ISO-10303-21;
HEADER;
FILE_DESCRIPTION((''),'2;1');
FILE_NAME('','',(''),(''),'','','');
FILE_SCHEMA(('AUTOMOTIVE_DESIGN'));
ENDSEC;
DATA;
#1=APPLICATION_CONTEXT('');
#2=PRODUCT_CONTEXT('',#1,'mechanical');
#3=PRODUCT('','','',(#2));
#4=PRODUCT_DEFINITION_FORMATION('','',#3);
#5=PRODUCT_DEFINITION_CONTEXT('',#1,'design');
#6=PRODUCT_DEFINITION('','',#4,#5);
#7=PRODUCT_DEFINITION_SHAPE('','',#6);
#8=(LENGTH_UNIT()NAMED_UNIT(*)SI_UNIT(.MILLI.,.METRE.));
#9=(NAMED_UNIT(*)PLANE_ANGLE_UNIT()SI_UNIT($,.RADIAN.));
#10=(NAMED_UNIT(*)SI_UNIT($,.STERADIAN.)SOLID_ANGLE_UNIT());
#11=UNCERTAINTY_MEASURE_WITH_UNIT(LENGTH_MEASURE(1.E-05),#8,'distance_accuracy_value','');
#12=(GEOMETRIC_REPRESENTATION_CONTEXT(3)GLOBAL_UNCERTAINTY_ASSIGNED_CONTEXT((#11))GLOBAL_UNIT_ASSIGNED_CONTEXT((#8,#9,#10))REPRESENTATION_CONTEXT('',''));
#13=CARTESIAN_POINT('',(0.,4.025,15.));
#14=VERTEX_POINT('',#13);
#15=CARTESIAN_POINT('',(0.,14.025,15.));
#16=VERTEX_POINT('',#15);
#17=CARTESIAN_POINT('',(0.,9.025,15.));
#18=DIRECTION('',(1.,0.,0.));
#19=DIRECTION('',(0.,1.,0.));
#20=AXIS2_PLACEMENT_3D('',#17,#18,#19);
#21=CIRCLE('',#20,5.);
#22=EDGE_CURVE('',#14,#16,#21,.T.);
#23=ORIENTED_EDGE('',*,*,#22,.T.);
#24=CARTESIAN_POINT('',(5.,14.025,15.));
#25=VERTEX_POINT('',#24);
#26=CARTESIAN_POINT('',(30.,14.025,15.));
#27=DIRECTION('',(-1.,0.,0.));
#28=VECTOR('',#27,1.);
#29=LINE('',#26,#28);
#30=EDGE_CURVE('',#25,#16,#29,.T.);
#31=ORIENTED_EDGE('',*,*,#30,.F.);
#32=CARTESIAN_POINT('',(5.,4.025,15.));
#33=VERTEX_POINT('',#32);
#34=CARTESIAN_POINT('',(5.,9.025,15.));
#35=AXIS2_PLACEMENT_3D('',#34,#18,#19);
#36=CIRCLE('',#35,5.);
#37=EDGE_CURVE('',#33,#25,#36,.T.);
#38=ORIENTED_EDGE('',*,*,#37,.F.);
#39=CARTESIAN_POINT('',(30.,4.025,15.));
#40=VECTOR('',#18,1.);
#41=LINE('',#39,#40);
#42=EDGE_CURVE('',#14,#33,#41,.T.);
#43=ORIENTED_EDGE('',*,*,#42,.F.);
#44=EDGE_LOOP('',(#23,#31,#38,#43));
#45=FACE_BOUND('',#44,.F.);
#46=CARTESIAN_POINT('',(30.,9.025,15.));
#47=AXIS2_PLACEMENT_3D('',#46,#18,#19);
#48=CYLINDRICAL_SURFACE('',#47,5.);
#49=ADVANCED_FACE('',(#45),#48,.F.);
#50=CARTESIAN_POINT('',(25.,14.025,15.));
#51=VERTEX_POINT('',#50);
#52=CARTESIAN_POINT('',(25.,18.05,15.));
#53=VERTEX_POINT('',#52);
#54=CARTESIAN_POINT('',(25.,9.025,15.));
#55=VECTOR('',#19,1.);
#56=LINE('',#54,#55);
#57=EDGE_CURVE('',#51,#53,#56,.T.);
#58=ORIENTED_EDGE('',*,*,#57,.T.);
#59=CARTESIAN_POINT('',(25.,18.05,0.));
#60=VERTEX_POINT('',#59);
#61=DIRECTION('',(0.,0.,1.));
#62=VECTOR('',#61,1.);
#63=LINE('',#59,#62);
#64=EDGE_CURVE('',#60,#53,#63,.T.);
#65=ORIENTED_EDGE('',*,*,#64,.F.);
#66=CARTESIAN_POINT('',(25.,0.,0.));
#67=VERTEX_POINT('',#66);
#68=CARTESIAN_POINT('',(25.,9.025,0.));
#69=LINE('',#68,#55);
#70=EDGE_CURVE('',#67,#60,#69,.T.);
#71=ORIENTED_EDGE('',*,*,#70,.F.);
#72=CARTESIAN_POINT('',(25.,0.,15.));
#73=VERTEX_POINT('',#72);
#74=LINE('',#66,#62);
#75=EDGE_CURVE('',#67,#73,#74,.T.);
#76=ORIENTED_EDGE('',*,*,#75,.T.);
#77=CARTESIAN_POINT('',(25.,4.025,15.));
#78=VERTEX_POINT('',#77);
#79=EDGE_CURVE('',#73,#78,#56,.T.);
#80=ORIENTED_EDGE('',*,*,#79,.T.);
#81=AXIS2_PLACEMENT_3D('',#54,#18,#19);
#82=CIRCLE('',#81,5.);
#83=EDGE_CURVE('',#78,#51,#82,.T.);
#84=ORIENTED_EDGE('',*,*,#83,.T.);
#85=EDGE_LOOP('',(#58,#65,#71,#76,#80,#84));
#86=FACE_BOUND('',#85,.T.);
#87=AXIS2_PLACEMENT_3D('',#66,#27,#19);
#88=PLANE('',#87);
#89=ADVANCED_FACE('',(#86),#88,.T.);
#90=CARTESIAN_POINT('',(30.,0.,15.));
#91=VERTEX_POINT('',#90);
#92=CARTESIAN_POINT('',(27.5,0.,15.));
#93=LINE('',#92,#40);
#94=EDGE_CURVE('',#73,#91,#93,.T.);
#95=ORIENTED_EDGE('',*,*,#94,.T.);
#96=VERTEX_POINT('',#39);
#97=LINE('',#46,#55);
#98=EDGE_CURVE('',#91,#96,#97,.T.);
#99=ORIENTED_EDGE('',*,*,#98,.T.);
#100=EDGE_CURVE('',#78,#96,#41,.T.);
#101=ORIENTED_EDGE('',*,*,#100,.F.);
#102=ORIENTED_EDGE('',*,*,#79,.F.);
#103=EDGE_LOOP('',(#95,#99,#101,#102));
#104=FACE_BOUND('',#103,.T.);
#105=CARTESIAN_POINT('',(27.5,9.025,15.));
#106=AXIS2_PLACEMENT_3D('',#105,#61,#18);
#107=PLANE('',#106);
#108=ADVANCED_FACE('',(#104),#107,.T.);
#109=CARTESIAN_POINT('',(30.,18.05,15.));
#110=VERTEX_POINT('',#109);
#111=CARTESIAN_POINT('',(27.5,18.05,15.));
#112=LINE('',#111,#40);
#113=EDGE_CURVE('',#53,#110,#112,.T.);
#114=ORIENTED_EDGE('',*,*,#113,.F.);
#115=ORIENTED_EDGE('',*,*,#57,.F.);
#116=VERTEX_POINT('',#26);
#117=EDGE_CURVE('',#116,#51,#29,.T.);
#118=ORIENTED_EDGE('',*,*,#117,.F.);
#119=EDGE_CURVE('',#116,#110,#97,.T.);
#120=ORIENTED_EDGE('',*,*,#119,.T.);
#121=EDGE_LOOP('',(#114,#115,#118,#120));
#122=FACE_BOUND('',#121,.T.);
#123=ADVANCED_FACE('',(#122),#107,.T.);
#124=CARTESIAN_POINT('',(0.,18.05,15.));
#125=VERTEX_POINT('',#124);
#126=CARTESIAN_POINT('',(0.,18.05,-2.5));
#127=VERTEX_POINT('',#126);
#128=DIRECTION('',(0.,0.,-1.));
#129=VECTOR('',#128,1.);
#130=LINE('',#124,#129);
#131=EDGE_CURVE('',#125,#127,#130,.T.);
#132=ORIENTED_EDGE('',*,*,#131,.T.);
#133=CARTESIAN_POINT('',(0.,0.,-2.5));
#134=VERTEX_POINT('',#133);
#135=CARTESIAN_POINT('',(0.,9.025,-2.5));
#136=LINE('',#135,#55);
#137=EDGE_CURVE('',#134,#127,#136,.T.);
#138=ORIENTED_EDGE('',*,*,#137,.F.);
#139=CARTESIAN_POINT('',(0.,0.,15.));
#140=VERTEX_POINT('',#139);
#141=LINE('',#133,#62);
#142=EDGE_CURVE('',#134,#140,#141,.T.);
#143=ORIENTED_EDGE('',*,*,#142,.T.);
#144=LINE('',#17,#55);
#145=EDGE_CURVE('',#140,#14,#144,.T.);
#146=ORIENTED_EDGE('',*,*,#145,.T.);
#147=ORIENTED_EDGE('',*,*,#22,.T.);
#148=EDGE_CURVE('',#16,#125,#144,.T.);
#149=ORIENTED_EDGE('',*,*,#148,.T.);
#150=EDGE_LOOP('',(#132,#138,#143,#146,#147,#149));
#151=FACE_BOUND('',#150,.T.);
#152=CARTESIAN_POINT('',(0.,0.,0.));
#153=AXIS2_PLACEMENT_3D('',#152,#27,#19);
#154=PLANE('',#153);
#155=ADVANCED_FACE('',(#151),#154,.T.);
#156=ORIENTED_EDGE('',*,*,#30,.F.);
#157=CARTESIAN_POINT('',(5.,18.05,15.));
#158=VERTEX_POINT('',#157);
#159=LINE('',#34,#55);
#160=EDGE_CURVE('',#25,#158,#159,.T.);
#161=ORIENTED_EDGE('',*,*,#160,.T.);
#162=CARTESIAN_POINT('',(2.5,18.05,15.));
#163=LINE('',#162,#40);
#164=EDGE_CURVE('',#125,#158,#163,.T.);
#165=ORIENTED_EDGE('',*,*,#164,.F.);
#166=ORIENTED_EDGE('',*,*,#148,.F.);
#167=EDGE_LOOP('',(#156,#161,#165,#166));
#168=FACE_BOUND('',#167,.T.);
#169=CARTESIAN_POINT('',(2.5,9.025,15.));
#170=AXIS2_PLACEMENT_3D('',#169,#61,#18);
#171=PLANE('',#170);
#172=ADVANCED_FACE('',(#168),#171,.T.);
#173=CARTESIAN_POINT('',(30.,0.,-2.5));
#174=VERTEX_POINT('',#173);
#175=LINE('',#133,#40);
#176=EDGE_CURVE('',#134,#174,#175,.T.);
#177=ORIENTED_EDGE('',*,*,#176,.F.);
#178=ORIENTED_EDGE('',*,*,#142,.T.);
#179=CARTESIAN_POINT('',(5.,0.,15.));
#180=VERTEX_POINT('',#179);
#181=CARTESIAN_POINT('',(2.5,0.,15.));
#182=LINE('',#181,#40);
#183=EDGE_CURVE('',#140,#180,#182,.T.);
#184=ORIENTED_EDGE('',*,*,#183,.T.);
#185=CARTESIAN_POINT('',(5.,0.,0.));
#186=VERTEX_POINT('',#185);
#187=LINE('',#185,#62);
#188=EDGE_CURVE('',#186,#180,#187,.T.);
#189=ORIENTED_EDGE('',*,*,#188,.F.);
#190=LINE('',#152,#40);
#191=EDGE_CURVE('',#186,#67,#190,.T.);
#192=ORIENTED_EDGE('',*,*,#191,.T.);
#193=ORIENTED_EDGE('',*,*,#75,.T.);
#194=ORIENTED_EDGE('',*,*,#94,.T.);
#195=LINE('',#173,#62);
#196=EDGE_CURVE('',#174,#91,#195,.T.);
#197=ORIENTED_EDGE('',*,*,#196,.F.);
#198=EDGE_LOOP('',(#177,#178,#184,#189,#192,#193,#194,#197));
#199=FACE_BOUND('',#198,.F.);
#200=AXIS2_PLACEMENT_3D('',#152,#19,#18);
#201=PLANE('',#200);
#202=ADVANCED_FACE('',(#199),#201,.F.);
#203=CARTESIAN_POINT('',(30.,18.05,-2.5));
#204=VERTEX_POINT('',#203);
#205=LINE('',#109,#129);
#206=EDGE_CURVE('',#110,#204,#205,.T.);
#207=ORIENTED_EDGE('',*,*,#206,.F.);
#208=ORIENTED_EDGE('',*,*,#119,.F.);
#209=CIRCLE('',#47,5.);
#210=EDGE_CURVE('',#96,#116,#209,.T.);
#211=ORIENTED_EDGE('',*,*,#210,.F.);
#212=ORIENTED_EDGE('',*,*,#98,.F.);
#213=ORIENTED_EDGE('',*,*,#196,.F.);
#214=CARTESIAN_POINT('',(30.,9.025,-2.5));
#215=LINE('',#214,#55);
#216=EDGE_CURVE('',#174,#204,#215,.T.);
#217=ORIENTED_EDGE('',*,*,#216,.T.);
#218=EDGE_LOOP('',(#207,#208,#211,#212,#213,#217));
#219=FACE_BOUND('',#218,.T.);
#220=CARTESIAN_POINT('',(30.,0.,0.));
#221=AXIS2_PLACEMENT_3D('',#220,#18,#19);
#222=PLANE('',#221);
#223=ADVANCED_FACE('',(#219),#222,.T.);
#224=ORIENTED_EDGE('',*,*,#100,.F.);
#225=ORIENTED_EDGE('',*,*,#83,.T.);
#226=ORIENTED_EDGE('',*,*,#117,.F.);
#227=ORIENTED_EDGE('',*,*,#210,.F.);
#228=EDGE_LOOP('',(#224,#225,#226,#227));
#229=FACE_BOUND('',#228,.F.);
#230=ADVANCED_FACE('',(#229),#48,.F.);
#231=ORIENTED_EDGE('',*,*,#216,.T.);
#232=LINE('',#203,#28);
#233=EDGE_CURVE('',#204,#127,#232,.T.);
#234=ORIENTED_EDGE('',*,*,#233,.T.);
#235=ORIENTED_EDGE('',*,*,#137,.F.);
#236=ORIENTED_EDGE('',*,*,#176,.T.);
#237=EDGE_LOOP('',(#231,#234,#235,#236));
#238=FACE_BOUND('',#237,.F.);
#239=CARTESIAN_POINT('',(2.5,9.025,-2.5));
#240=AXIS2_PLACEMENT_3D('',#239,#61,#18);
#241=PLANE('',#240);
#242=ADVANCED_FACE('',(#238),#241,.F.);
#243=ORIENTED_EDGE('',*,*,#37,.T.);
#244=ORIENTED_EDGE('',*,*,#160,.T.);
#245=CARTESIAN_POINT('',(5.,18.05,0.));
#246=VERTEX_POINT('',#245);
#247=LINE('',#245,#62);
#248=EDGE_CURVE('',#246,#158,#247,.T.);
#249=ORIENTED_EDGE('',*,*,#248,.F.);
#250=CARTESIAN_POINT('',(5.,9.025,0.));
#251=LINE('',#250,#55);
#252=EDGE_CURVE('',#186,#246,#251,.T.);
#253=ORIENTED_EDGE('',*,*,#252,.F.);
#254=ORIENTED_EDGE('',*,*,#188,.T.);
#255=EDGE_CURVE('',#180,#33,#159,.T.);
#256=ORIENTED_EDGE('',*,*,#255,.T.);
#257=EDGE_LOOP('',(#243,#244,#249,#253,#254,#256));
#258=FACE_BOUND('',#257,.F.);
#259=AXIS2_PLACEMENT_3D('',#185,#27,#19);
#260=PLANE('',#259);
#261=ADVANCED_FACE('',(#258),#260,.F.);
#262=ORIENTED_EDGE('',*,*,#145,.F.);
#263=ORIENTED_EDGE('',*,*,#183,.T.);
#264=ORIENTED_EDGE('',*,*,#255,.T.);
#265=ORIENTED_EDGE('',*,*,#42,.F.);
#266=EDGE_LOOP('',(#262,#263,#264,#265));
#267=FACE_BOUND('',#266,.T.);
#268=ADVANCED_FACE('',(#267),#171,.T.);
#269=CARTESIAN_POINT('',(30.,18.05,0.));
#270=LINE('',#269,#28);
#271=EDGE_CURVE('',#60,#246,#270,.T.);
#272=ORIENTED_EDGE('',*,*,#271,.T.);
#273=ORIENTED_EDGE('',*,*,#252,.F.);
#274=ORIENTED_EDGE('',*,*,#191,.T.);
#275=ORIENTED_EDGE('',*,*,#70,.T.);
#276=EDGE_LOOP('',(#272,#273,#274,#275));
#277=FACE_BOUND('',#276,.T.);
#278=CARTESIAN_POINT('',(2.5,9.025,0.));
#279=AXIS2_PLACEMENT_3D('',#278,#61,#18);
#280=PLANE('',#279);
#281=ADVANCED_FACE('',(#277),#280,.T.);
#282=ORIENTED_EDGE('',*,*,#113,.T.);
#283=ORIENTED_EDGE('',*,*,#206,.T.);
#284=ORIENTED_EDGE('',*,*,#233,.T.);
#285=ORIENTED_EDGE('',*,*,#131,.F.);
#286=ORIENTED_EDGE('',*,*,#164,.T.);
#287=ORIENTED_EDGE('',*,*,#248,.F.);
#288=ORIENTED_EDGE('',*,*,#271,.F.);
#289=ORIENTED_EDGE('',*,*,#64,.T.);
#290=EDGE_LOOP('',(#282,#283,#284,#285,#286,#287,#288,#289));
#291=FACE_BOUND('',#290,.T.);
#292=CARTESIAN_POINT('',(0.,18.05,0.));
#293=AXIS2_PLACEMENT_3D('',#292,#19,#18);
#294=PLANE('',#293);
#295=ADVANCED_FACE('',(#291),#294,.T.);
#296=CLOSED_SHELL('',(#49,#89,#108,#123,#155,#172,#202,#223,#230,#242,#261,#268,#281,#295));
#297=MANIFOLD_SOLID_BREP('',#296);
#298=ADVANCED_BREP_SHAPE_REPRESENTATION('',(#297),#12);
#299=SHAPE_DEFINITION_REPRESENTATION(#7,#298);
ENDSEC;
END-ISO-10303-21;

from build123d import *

# Parameters (mm, degrees)
F0_W     = 5
F0_H     = 18.05
F0_W_2   = 20
F1_DEPTH = 2.5
F2_DEPTH = 15
F4_DEPTH = 30.001


with BuildPart() as f1:
    # F0 (on Top) → F1 (new body)
    with BuildSketch(Plane.XY):
        with Locations((2.5, 9.025)):
            Rectangle(F0_W, F0_H)
        with Locations((15, 9.025)):
            Rectangle(F0_W_2, F0_H)
        with Locations((27.5, 9.025)):
            Rectangle(F0_W, F0_H)
    extrude(amount=-F1_DEPTH)

    # F0 (on Top) → F2 (join)
    with BuildSketch(Plane.XY):
        with Locations((2.5, 9.025)):
            Rectangle(F0_W, F0_H)
        with Locations((27.5, 9.025)):
            Rectangle(F0_W, F0_H)
    extrude(amount=F2_DEPTH)

    # F3 (on face) → F4 (cut, through all)
    with BuildSketch(Plane.YZ.offset(30)):
        with BuildLine():
            ThreePointArc((4.025, 15), (9.025, 10), (14.025, 15))
            Line((14.025, 15), (4.025, 15))
        make_face()
        with BuildLine():
            Line((4.025, 15), (14.025, 15))
            ThreePointArc((14.025, 15), (9.025, 20), (4.025, 15))
        make_face()
    extrude(amount=-F4_DEPTH, mode=Mode.SUBTRACT)


solid = f1.part
